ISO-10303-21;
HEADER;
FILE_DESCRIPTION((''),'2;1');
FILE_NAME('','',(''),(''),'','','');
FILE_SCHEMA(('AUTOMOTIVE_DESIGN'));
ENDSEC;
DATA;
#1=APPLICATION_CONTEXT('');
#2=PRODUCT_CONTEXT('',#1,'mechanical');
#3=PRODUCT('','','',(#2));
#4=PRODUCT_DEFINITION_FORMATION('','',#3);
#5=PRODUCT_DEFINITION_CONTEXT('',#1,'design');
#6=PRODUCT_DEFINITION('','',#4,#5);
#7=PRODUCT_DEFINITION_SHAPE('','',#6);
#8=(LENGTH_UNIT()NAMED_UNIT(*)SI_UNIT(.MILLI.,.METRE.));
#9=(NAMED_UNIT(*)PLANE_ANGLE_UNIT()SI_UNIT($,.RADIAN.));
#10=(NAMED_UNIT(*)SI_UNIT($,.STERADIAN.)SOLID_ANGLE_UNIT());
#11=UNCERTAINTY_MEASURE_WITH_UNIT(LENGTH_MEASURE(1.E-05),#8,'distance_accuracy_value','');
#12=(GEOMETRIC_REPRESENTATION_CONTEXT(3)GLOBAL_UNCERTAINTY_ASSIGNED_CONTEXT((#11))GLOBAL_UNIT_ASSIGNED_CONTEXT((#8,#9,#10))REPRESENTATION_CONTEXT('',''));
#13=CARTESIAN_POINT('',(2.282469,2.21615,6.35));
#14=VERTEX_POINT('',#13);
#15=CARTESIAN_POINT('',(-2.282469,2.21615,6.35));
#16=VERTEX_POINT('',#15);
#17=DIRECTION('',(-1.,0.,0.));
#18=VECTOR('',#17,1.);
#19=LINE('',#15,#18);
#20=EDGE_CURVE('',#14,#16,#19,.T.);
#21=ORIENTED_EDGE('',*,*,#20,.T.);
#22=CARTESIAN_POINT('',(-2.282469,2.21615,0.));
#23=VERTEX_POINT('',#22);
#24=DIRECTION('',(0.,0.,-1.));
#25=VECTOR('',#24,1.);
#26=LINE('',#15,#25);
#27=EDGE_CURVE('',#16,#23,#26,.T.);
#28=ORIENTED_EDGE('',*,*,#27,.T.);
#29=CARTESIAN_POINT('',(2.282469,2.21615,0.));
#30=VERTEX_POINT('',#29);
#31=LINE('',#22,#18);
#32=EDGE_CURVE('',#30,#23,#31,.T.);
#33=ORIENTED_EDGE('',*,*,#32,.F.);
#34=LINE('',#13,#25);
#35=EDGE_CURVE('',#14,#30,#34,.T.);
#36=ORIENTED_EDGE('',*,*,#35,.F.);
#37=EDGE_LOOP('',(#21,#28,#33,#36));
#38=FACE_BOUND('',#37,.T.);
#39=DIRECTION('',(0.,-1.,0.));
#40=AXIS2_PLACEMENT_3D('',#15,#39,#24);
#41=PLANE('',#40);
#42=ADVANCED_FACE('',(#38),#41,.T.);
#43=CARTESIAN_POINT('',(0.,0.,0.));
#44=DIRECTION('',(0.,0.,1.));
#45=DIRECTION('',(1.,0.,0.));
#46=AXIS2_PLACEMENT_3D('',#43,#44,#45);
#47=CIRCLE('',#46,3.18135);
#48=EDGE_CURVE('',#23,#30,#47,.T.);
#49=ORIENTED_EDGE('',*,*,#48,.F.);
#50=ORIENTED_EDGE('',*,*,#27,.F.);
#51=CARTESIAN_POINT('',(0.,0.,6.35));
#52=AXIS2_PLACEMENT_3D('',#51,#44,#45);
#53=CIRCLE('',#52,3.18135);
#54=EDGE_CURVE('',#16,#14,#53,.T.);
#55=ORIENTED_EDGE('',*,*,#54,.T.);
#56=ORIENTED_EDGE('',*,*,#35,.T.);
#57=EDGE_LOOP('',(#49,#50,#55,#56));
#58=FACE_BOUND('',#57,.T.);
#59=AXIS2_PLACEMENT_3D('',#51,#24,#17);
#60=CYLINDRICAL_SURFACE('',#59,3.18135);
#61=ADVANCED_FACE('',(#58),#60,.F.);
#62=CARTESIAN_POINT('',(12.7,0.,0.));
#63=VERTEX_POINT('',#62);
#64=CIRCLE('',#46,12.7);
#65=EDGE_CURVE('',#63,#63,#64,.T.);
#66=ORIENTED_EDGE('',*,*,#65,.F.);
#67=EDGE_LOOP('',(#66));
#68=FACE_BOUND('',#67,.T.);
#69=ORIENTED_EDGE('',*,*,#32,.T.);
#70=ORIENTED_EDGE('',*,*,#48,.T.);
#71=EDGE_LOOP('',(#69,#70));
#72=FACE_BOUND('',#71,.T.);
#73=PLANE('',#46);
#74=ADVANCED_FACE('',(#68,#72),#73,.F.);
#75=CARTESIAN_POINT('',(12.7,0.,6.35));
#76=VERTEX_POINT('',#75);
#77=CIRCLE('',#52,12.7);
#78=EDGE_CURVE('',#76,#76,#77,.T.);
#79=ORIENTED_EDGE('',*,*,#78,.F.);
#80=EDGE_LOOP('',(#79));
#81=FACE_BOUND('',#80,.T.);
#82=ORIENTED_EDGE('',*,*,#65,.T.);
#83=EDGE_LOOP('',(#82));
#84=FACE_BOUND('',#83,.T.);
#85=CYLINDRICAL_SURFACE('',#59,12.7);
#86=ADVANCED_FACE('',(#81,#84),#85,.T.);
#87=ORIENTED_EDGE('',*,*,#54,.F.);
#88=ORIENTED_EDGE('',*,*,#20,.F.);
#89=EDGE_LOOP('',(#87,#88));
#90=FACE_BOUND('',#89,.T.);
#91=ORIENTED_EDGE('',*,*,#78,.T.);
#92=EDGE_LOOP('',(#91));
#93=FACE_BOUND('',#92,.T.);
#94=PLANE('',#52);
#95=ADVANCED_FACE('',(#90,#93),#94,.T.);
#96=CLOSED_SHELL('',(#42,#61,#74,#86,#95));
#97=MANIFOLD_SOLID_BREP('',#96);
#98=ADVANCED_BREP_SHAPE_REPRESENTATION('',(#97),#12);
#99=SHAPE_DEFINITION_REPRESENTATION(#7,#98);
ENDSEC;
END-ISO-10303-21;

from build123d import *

# Parameters (mm, degrees)
SKETCH1_R           = 12.7
BOSS_EXTRUDE1_DEPTH = 6.35


with BuildPart() as part:
    # Sketch1 → Boss-Extrude1 (new body)
    with BuildSketch(Plane.XY):
        Circle(SKETCH1_R)
        with BuildLine():
            Line((-2.282469496, 2.21615), (2.282469496, 2.21615))
            ThreePointArc((2.282469496, 2.21615), (0, -3.18135), (-2.282469496, 2.21615))
        make_face(mode=Mode.SUBTRACT)
    extrude(amount=BOSS_EXTRUDE1_DEPTH)


solid = part.part
